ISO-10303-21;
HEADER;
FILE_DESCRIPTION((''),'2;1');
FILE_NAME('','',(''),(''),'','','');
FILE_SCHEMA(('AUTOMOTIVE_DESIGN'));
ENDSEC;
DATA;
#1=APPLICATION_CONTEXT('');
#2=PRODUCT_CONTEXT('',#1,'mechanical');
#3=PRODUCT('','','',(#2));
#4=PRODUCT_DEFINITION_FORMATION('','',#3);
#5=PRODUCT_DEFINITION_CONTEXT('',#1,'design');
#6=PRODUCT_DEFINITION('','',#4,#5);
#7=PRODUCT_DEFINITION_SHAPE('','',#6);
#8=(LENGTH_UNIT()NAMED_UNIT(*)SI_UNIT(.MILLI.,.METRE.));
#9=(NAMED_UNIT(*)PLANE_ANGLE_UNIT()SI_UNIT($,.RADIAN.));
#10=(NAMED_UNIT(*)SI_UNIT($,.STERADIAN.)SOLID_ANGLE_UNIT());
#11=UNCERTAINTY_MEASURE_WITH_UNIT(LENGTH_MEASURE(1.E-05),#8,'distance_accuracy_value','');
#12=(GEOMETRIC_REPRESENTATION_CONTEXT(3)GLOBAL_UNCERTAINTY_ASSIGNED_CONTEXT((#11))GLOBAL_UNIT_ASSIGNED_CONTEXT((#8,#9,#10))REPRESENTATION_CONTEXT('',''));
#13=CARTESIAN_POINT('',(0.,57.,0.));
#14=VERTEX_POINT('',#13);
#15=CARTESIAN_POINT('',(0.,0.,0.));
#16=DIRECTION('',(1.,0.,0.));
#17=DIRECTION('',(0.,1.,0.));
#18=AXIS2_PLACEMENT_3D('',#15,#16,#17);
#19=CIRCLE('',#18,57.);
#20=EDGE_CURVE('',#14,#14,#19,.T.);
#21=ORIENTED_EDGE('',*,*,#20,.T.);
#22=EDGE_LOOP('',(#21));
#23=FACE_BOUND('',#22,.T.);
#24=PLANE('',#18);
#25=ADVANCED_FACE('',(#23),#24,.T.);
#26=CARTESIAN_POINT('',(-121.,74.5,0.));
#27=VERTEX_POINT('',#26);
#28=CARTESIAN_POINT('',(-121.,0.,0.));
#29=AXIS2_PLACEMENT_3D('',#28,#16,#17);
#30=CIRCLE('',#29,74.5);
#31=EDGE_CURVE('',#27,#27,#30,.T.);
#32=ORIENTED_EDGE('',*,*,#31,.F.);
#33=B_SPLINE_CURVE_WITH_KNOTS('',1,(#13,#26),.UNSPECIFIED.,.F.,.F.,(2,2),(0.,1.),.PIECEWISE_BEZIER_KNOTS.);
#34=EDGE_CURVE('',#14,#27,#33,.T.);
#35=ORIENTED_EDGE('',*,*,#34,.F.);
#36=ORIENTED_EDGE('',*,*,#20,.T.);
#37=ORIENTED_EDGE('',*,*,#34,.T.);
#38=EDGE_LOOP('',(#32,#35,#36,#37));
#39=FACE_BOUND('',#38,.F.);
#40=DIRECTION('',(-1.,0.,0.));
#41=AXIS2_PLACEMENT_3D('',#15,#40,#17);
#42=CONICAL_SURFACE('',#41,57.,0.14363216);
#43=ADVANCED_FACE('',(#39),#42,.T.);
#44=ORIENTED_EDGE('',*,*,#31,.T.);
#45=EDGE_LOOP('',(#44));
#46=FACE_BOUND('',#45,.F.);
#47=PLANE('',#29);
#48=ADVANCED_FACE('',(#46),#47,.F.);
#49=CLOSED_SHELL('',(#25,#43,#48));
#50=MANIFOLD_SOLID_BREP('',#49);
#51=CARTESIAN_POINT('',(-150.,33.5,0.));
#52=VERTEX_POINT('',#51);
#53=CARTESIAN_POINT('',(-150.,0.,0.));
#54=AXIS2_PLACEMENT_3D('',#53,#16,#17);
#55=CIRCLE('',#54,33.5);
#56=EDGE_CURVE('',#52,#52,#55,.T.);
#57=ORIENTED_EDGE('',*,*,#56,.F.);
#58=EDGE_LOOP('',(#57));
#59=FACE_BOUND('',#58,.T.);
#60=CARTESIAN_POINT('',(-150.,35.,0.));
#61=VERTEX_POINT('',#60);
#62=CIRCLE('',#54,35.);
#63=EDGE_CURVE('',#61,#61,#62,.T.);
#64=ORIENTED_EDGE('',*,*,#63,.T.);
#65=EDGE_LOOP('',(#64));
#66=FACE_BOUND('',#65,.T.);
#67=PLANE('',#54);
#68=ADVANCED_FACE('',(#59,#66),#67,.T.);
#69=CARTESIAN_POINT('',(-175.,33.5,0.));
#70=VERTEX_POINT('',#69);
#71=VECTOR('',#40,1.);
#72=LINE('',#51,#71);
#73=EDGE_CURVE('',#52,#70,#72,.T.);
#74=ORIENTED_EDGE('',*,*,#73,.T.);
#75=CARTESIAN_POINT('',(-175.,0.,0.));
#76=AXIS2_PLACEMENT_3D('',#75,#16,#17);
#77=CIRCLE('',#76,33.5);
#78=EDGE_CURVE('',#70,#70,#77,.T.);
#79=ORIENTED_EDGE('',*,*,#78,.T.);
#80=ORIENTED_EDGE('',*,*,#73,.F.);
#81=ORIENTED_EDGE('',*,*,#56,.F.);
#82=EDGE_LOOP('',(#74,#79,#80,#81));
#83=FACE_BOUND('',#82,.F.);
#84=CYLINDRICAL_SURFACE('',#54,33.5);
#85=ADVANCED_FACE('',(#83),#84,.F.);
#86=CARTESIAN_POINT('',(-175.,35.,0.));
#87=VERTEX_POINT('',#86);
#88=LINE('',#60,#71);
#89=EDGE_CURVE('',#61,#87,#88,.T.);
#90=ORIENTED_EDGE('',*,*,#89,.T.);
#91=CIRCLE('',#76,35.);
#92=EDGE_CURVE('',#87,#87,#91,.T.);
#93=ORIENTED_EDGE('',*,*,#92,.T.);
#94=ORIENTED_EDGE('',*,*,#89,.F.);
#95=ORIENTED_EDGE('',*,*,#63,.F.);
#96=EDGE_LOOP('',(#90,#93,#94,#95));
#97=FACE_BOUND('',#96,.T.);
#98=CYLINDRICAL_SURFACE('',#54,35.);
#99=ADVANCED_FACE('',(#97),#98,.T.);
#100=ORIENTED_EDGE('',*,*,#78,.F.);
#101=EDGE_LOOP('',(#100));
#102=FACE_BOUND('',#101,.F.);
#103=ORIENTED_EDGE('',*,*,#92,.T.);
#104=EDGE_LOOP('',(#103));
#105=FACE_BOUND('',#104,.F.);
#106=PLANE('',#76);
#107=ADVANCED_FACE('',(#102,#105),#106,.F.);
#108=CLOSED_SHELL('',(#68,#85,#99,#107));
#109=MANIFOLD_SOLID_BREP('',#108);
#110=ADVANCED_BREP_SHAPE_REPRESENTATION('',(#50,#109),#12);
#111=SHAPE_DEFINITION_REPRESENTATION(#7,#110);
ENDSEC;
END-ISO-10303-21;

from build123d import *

# Parameters (mm, degrees)
F5_R     = 35
F5_R_2   = 33.5
F6_DEPTH = 25
F0_R     = 57
F2_R     = 74.5


with BuildPart() as f6:
    # F5 (on offset) → F6 (new body, through all)
    with BuildSketch(Plane.YZ.offset(-150)):
        Circle(F5_R)
        Circle(F5_R_2, mode=Mode.SUBTRACT)
    extrude(amount=-F6_DEPTH)


with BuildPart() as f7:
    # F0 (on Right) → F7 section 0
    with BuildSketch(Plane.YZ):
        Circle(F0_R)
    # F2 (on offset) → F7 section 1
    with BuildSketch(Plane.YZ.offset(-121)):
        Circle(F2_R)
    loft()


solid = Compound([f6.part, f7.part])
